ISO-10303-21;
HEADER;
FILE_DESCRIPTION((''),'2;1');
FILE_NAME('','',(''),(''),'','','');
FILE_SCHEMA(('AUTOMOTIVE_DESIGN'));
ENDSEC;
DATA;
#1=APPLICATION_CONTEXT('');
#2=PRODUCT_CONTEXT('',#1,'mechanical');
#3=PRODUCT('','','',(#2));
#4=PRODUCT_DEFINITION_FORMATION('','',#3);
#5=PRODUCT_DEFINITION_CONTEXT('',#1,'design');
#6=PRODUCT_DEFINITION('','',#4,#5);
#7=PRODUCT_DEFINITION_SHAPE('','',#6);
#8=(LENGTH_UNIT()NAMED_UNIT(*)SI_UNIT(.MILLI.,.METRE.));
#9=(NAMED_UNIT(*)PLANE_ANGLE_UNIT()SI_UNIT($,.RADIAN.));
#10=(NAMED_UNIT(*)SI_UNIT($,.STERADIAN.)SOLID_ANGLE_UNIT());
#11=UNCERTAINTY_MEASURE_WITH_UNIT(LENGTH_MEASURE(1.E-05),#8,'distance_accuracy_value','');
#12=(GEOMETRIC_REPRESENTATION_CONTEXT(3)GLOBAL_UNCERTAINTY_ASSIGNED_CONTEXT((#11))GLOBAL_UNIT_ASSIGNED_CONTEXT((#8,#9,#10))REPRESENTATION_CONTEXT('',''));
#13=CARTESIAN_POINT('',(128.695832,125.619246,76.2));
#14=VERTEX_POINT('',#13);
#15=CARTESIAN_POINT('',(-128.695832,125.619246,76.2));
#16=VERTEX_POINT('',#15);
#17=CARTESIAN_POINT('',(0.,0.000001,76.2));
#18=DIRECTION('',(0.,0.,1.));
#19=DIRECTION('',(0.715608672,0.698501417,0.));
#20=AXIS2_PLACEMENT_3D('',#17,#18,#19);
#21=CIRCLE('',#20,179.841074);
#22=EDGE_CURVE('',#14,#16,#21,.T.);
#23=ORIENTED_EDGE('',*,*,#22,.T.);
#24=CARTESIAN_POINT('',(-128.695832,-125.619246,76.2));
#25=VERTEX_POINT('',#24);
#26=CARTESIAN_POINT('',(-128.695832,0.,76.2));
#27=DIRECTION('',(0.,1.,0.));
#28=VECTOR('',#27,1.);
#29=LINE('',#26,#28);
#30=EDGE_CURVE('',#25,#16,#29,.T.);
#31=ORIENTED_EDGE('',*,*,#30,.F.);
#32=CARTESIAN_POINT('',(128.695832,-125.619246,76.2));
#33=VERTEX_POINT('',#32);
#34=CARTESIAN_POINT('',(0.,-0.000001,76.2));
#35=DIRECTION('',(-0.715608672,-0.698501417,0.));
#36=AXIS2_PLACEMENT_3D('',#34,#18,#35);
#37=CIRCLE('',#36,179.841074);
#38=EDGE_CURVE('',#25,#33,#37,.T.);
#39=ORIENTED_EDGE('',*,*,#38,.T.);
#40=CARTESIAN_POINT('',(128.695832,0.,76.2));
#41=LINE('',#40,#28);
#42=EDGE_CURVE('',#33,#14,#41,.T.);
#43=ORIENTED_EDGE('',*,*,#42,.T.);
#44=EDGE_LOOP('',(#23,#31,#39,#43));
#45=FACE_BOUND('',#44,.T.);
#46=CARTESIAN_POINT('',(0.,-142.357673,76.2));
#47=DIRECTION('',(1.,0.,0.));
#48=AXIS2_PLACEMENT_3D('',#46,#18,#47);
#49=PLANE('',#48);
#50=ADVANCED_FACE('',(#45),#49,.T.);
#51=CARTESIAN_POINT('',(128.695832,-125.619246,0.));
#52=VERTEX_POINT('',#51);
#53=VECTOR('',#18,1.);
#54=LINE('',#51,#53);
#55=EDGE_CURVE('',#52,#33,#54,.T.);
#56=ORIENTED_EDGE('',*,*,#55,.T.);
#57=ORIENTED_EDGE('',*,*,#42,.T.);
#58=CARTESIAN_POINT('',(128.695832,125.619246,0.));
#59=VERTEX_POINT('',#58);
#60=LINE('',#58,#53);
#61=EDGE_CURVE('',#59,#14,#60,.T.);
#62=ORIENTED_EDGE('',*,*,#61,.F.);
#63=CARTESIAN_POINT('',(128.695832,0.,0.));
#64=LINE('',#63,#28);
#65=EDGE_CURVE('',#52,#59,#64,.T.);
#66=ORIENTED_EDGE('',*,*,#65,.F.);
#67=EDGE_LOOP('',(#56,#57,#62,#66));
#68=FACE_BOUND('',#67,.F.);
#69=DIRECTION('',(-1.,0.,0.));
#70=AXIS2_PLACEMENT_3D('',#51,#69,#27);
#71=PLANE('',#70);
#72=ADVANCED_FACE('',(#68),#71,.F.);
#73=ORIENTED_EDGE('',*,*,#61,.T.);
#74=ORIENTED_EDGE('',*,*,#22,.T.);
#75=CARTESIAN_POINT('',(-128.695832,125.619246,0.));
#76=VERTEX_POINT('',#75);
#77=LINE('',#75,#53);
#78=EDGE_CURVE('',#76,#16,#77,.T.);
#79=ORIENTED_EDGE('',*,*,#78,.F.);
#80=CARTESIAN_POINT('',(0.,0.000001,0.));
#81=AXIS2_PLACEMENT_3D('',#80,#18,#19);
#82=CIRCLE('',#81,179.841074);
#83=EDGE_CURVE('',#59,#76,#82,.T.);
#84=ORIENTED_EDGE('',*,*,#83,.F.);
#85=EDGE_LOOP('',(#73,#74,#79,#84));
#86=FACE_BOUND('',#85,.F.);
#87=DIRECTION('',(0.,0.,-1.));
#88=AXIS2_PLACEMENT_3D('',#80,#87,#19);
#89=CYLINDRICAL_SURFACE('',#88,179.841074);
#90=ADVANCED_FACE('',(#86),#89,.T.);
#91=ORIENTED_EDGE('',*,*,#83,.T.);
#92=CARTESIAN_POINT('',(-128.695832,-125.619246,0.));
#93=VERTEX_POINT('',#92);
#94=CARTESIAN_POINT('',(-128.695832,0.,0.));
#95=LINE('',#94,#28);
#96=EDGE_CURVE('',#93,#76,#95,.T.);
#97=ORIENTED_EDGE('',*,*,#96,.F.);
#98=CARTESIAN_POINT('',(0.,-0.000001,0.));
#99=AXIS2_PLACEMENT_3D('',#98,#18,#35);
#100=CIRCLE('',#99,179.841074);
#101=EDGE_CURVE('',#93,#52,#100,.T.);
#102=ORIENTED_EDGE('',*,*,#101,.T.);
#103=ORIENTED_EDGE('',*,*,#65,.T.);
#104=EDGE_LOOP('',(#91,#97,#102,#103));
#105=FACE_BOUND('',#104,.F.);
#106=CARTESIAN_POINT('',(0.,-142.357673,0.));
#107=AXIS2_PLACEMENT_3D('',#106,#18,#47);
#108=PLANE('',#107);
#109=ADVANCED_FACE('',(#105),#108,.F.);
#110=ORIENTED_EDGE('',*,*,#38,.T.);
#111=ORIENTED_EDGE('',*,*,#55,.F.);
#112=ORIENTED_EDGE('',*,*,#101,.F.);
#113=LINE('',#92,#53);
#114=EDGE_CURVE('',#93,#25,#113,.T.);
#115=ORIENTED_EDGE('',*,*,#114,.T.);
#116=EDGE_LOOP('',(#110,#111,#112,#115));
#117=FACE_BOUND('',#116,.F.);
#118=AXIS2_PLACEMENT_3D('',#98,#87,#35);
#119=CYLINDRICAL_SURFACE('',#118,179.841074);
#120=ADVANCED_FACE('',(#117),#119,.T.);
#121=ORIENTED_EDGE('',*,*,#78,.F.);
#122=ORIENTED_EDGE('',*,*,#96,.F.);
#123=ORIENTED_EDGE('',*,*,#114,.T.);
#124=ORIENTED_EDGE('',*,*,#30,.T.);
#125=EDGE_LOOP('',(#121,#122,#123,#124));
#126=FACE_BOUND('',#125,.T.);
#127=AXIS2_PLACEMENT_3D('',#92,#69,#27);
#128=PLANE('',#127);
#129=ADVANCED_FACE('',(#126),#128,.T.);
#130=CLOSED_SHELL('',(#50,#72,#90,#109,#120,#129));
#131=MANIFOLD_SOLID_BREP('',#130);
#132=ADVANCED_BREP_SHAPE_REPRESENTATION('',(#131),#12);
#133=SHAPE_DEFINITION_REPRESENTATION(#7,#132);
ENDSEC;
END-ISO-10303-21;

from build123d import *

# Parameters (mm, degrees)
F0_W     = 257.391664
F0_H     = 251.238492
F1_DEPTH = 76.2


with BuildPart() as f1:
    # F0 (on Top) → F1 (new body)
    with BuildSketch(Plane.XY):
        with BuildLine():
            ThreePointArc((-128.695832, -125.619246), (0, -179.841075), (128.695832, -125.619246))
            Line((128.695832, -125.619246), (-128.695832, -125.619246))
        make_face()
        Rectangle(F0_W, F0_H)
        with BuildLine():
            Line((-128.695832, 125.619246), (128.695832, 125.619246))
            ThreePointArc((128.695832, 125.619246), (0, 179.841075), (-128.695832, 125.619246))
        make_face()
    extrude(amount=F1_DEPTH)


solid = f1.part
